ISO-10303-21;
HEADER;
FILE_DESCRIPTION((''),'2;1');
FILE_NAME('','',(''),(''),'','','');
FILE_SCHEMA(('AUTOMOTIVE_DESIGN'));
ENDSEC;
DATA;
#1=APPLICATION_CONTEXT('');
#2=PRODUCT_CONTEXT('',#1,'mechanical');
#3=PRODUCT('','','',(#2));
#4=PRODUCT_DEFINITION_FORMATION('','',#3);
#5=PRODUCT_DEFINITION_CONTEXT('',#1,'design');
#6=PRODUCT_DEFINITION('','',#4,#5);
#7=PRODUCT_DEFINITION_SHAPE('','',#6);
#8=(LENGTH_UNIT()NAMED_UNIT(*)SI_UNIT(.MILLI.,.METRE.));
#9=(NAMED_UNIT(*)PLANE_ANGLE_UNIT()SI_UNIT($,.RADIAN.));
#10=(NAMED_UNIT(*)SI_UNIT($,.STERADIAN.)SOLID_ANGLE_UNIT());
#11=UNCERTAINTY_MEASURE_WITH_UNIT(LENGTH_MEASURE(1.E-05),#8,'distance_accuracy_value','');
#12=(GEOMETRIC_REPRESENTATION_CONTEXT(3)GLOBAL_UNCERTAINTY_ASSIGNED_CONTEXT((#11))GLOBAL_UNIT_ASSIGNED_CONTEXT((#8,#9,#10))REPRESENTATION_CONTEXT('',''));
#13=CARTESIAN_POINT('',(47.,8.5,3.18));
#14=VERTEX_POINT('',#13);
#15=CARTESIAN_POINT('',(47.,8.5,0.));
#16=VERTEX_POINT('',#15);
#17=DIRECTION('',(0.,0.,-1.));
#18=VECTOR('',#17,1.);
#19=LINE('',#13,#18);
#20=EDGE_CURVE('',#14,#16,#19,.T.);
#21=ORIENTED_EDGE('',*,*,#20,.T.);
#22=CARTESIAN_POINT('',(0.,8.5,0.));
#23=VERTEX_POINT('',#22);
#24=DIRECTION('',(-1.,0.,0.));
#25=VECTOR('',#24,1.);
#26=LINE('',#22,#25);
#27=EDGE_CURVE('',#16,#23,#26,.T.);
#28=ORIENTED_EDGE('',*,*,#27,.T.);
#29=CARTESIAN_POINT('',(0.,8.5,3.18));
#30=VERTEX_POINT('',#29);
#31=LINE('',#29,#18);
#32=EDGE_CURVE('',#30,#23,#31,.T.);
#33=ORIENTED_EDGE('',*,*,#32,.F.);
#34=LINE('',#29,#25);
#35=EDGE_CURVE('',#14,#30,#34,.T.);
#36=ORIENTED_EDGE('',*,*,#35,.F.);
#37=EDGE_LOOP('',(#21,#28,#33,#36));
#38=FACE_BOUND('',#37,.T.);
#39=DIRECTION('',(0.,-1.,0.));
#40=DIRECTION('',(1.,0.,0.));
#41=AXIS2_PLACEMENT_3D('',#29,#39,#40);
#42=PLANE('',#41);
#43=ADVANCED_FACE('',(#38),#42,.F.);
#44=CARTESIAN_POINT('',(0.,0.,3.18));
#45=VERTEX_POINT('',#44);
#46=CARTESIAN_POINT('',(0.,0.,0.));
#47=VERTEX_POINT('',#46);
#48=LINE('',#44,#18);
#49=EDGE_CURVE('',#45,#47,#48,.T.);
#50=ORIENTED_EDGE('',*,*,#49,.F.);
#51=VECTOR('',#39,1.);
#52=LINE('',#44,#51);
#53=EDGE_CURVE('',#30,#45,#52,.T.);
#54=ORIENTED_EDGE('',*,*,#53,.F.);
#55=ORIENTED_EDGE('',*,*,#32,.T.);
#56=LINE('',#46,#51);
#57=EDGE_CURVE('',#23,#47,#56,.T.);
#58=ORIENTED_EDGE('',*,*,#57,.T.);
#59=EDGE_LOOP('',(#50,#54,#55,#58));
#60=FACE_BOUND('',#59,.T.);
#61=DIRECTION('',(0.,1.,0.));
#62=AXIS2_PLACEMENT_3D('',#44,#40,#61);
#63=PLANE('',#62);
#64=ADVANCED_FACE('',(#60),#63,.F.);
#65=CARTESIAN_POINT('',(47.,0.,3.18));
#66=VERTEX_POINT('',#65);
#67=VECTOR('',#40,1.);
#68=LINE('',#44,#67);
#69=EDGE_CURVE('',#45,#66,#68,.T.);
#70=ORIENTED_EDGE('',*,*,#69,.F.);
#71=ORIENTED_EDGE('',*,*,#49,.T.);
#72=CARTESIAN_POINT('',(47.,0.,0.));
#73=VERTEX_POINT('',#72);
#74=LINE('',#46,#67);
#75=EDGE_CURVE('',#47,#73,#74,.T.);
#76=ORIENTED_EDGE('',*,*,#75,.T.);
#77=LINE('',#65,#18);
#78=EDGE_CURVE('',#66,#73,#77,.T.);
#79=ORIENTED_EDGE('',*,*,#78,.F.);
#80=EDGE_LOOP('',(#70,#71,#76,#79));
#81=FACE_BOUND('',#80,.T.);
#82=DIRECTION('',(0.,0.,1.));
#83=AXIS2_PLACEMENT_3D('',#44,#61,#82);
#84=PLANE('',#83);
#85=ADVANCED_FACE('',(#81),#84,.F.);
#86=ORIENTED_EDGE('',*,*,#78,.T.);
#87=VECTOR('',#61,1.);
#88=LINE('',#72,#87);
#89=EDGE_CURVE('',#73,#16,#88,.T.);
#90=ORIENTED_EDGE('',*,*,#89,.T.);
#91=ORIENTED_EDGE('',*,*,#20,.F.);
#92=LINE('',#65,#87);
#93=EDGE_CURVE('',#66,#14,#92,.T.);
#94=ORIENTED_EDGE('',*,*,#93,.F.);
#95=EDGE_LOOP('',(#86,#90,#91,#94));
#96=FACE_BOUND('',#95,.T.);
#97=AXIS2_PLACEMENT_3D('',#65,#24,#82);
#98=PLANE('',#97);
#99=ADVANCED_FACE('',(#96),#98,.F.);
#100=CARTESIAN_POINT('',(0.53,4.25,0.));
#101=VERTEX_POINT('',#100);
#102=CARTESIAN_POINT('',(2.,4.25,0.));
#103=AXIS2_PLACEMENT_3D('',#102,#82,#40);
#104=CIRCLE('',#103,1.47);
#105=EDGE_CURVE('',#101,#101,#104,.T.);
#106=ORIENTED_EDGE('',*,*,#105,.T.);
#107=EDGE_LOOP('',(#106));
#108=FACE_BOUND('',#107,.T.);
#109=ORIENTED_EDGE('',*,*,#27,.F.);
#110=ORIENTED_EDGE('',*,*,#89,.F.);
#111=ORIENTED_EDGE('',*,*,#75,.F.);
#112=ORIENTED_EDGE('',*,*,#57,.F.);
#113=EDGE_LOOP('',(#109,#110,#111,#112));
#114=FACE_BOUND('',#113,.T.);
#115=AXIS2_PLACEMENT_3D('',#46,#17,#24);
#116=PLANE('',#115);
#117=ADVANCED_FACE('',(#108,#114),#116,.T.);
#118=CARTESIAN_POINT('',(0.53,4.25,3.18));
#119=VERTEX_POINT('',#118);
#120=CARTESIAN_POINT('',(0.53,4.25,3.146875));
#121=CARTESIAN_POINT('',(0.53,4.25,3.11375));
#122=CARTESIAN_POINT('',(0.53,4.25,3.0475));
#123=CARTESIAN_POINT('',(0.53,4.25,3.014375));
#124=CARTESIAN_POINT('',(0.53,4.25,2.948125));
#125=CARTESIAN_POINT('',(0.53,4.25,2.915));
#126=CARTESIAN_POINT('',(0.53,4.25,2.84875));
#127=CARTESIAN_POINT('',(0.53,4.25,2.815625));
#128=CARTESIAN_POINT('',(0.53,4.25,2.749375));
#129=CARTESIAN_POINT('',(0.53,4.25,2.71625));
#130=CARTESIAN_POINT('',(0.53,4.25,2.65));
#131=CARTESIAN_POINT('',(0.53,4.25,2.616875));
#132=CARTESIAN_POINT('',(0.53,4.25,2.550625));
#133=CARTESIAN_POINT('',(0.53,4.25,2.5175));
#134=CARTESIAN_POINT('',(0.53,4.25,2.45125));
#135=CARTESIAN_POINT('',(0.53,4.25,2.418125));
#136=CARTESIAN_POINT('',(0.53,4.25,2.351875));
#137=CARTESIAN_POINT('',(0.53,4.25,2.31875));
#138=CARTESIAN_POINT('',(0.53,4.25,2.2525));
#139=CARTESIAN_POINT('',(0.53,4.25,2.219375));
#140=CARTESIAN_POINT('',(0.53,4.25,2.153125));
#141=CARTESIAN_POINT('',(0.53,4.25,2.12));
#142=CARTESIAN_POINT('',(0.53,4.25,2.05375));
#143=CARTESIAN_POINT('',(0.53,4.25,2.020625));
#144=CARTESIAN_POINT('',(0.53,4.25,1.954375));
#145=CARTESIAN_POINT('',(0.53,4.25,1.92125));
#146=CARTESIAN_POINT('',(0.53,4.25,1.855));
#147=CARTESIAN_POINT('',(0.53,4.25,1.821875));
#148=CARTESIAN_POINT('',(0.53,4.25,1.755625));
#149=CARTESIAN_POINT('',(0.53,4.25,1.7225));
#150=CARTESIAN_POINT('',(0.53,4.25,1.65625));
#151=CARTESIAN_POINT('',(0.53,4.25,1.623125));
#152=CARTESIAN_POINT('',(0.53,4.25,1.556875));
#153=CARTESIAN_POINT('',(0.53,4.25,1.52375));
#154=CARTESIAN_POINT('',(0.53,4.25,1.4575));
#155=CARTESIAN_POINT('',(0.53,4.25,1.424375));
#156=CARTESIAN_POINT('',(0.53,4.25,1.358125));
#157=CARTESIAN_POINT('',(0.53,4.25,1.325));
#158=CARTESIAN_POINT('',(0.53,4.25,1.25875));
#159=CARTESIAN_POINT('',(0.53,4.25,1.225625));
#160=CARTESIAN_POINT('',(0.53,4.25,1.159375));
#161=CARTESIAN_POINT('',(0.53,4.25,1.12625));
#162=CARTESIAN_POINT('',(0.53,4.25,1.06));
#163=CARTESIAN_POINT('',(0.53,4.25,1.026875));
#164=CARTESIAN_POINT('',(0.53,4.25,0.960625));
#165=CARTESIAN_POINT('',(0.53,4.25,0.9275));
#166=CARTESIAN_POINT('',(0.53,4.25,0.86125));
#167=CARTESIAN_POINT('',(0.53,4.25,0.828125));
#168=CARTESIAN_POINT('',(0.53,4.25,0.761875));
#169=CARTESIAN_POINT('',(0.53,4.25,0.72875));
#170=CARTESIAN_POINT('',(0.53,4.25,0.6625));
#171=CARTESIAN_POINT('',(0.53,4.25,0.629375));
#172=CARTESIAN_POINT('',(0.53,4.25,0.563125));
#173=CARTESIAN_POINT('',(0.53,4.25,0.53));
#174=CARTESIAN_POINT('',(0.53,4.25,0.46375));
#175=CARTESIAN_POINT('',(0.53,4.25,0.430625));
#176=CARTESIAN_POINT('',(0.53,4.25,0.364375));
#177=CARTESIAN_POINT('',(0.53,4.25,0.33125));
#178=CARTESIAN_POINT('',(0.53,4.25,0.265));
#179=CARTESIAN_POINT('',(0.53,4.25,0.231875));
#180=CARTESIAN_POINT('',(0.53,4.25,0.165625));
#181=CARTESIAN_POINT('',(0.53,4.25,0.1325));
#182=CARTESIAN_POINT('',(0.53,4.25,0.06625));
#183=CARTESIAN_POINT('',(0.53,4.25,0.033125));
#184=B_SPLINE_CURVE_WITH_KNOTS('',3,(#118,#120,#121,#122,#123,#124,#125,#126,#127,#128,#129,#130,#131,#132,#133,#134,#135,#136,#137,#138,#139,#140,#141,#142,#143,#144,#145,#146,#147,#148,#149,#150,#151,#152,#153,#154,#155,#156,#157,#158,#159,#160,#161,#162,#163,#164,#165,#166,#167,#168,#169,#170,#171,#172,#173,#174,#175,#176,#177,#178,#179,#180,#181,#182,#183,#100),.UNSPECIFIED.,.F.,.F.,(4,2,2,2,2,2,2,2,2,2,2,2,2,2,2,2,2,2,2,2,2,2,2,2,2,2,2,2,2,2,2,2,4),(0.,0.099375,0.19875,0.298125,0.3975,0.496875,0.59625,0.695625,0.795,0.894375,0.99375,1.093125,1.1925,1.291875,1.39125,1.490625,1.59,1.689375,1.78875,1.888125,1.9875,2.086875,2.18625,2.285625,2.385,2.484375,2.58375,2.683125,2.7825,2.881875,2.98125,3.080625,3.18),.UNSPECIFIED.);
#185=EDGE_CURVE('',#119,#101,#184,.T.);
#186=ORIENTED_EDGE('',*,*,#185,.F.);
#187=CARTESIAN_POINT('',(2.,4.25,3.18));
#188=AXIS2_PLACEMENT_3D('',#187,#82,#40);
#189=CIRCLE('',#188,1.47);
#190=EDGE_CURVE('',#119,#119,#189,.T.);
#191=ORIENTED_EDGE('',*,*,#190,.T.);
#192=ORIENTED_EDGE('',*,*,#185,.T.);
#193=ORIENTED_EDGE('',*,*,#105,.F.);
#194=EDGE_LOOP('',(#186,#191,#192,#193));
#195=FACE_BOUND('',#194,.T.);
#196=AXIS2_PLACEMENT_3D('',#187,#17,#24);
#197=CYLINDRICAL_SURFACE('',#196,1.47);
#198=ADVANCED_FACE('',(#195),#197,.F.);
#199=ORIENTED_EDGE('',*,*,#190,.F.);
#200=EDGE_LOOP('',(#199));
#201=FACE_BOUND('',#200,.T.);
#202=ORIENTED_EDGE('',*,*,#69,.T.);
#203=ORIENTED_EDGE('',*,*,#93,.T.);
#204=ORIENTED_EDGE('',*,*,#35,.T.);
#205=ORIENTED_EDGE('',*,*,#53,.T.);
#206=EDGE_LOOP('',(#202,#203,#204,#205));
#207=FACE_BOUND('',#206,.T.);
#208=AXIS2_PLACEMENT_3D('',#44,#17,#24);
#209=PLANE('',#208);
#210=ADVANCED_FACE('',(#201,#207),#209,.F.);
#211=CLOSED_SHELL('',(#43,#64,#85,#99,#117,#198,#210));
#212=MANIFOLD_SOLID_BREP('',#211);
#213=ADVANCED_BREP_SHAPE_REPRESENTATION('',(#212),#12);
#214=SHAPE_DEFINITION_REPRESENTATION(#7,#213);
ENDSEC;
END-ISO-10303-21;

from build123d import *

# Parameters (mm, degrees)
SKETCH1_W           = 47
SKETCH1_H           = 8.5
SKETCH1_R           = 1.47
BOSS_EXTRUDE1_DEPTH = 3.18


with BuildPart() as part:
    # Sketch1 → Boss-Extrude1 (new body)
    with BuildSketch(Plane.XY):
        with Locations((23.5, 4.25)):
            Rectangle(SKETCH1_W, SKETCH1_H)
        with Locations(Location((2, 4.25, 0), (0, 0, 180))):
            Circle(SKETCH1_R, mode=Mode.SUBTRACT)
    extrude(amount=BOSS_EXTRUDE1_DEPTH)


solid = part.part
